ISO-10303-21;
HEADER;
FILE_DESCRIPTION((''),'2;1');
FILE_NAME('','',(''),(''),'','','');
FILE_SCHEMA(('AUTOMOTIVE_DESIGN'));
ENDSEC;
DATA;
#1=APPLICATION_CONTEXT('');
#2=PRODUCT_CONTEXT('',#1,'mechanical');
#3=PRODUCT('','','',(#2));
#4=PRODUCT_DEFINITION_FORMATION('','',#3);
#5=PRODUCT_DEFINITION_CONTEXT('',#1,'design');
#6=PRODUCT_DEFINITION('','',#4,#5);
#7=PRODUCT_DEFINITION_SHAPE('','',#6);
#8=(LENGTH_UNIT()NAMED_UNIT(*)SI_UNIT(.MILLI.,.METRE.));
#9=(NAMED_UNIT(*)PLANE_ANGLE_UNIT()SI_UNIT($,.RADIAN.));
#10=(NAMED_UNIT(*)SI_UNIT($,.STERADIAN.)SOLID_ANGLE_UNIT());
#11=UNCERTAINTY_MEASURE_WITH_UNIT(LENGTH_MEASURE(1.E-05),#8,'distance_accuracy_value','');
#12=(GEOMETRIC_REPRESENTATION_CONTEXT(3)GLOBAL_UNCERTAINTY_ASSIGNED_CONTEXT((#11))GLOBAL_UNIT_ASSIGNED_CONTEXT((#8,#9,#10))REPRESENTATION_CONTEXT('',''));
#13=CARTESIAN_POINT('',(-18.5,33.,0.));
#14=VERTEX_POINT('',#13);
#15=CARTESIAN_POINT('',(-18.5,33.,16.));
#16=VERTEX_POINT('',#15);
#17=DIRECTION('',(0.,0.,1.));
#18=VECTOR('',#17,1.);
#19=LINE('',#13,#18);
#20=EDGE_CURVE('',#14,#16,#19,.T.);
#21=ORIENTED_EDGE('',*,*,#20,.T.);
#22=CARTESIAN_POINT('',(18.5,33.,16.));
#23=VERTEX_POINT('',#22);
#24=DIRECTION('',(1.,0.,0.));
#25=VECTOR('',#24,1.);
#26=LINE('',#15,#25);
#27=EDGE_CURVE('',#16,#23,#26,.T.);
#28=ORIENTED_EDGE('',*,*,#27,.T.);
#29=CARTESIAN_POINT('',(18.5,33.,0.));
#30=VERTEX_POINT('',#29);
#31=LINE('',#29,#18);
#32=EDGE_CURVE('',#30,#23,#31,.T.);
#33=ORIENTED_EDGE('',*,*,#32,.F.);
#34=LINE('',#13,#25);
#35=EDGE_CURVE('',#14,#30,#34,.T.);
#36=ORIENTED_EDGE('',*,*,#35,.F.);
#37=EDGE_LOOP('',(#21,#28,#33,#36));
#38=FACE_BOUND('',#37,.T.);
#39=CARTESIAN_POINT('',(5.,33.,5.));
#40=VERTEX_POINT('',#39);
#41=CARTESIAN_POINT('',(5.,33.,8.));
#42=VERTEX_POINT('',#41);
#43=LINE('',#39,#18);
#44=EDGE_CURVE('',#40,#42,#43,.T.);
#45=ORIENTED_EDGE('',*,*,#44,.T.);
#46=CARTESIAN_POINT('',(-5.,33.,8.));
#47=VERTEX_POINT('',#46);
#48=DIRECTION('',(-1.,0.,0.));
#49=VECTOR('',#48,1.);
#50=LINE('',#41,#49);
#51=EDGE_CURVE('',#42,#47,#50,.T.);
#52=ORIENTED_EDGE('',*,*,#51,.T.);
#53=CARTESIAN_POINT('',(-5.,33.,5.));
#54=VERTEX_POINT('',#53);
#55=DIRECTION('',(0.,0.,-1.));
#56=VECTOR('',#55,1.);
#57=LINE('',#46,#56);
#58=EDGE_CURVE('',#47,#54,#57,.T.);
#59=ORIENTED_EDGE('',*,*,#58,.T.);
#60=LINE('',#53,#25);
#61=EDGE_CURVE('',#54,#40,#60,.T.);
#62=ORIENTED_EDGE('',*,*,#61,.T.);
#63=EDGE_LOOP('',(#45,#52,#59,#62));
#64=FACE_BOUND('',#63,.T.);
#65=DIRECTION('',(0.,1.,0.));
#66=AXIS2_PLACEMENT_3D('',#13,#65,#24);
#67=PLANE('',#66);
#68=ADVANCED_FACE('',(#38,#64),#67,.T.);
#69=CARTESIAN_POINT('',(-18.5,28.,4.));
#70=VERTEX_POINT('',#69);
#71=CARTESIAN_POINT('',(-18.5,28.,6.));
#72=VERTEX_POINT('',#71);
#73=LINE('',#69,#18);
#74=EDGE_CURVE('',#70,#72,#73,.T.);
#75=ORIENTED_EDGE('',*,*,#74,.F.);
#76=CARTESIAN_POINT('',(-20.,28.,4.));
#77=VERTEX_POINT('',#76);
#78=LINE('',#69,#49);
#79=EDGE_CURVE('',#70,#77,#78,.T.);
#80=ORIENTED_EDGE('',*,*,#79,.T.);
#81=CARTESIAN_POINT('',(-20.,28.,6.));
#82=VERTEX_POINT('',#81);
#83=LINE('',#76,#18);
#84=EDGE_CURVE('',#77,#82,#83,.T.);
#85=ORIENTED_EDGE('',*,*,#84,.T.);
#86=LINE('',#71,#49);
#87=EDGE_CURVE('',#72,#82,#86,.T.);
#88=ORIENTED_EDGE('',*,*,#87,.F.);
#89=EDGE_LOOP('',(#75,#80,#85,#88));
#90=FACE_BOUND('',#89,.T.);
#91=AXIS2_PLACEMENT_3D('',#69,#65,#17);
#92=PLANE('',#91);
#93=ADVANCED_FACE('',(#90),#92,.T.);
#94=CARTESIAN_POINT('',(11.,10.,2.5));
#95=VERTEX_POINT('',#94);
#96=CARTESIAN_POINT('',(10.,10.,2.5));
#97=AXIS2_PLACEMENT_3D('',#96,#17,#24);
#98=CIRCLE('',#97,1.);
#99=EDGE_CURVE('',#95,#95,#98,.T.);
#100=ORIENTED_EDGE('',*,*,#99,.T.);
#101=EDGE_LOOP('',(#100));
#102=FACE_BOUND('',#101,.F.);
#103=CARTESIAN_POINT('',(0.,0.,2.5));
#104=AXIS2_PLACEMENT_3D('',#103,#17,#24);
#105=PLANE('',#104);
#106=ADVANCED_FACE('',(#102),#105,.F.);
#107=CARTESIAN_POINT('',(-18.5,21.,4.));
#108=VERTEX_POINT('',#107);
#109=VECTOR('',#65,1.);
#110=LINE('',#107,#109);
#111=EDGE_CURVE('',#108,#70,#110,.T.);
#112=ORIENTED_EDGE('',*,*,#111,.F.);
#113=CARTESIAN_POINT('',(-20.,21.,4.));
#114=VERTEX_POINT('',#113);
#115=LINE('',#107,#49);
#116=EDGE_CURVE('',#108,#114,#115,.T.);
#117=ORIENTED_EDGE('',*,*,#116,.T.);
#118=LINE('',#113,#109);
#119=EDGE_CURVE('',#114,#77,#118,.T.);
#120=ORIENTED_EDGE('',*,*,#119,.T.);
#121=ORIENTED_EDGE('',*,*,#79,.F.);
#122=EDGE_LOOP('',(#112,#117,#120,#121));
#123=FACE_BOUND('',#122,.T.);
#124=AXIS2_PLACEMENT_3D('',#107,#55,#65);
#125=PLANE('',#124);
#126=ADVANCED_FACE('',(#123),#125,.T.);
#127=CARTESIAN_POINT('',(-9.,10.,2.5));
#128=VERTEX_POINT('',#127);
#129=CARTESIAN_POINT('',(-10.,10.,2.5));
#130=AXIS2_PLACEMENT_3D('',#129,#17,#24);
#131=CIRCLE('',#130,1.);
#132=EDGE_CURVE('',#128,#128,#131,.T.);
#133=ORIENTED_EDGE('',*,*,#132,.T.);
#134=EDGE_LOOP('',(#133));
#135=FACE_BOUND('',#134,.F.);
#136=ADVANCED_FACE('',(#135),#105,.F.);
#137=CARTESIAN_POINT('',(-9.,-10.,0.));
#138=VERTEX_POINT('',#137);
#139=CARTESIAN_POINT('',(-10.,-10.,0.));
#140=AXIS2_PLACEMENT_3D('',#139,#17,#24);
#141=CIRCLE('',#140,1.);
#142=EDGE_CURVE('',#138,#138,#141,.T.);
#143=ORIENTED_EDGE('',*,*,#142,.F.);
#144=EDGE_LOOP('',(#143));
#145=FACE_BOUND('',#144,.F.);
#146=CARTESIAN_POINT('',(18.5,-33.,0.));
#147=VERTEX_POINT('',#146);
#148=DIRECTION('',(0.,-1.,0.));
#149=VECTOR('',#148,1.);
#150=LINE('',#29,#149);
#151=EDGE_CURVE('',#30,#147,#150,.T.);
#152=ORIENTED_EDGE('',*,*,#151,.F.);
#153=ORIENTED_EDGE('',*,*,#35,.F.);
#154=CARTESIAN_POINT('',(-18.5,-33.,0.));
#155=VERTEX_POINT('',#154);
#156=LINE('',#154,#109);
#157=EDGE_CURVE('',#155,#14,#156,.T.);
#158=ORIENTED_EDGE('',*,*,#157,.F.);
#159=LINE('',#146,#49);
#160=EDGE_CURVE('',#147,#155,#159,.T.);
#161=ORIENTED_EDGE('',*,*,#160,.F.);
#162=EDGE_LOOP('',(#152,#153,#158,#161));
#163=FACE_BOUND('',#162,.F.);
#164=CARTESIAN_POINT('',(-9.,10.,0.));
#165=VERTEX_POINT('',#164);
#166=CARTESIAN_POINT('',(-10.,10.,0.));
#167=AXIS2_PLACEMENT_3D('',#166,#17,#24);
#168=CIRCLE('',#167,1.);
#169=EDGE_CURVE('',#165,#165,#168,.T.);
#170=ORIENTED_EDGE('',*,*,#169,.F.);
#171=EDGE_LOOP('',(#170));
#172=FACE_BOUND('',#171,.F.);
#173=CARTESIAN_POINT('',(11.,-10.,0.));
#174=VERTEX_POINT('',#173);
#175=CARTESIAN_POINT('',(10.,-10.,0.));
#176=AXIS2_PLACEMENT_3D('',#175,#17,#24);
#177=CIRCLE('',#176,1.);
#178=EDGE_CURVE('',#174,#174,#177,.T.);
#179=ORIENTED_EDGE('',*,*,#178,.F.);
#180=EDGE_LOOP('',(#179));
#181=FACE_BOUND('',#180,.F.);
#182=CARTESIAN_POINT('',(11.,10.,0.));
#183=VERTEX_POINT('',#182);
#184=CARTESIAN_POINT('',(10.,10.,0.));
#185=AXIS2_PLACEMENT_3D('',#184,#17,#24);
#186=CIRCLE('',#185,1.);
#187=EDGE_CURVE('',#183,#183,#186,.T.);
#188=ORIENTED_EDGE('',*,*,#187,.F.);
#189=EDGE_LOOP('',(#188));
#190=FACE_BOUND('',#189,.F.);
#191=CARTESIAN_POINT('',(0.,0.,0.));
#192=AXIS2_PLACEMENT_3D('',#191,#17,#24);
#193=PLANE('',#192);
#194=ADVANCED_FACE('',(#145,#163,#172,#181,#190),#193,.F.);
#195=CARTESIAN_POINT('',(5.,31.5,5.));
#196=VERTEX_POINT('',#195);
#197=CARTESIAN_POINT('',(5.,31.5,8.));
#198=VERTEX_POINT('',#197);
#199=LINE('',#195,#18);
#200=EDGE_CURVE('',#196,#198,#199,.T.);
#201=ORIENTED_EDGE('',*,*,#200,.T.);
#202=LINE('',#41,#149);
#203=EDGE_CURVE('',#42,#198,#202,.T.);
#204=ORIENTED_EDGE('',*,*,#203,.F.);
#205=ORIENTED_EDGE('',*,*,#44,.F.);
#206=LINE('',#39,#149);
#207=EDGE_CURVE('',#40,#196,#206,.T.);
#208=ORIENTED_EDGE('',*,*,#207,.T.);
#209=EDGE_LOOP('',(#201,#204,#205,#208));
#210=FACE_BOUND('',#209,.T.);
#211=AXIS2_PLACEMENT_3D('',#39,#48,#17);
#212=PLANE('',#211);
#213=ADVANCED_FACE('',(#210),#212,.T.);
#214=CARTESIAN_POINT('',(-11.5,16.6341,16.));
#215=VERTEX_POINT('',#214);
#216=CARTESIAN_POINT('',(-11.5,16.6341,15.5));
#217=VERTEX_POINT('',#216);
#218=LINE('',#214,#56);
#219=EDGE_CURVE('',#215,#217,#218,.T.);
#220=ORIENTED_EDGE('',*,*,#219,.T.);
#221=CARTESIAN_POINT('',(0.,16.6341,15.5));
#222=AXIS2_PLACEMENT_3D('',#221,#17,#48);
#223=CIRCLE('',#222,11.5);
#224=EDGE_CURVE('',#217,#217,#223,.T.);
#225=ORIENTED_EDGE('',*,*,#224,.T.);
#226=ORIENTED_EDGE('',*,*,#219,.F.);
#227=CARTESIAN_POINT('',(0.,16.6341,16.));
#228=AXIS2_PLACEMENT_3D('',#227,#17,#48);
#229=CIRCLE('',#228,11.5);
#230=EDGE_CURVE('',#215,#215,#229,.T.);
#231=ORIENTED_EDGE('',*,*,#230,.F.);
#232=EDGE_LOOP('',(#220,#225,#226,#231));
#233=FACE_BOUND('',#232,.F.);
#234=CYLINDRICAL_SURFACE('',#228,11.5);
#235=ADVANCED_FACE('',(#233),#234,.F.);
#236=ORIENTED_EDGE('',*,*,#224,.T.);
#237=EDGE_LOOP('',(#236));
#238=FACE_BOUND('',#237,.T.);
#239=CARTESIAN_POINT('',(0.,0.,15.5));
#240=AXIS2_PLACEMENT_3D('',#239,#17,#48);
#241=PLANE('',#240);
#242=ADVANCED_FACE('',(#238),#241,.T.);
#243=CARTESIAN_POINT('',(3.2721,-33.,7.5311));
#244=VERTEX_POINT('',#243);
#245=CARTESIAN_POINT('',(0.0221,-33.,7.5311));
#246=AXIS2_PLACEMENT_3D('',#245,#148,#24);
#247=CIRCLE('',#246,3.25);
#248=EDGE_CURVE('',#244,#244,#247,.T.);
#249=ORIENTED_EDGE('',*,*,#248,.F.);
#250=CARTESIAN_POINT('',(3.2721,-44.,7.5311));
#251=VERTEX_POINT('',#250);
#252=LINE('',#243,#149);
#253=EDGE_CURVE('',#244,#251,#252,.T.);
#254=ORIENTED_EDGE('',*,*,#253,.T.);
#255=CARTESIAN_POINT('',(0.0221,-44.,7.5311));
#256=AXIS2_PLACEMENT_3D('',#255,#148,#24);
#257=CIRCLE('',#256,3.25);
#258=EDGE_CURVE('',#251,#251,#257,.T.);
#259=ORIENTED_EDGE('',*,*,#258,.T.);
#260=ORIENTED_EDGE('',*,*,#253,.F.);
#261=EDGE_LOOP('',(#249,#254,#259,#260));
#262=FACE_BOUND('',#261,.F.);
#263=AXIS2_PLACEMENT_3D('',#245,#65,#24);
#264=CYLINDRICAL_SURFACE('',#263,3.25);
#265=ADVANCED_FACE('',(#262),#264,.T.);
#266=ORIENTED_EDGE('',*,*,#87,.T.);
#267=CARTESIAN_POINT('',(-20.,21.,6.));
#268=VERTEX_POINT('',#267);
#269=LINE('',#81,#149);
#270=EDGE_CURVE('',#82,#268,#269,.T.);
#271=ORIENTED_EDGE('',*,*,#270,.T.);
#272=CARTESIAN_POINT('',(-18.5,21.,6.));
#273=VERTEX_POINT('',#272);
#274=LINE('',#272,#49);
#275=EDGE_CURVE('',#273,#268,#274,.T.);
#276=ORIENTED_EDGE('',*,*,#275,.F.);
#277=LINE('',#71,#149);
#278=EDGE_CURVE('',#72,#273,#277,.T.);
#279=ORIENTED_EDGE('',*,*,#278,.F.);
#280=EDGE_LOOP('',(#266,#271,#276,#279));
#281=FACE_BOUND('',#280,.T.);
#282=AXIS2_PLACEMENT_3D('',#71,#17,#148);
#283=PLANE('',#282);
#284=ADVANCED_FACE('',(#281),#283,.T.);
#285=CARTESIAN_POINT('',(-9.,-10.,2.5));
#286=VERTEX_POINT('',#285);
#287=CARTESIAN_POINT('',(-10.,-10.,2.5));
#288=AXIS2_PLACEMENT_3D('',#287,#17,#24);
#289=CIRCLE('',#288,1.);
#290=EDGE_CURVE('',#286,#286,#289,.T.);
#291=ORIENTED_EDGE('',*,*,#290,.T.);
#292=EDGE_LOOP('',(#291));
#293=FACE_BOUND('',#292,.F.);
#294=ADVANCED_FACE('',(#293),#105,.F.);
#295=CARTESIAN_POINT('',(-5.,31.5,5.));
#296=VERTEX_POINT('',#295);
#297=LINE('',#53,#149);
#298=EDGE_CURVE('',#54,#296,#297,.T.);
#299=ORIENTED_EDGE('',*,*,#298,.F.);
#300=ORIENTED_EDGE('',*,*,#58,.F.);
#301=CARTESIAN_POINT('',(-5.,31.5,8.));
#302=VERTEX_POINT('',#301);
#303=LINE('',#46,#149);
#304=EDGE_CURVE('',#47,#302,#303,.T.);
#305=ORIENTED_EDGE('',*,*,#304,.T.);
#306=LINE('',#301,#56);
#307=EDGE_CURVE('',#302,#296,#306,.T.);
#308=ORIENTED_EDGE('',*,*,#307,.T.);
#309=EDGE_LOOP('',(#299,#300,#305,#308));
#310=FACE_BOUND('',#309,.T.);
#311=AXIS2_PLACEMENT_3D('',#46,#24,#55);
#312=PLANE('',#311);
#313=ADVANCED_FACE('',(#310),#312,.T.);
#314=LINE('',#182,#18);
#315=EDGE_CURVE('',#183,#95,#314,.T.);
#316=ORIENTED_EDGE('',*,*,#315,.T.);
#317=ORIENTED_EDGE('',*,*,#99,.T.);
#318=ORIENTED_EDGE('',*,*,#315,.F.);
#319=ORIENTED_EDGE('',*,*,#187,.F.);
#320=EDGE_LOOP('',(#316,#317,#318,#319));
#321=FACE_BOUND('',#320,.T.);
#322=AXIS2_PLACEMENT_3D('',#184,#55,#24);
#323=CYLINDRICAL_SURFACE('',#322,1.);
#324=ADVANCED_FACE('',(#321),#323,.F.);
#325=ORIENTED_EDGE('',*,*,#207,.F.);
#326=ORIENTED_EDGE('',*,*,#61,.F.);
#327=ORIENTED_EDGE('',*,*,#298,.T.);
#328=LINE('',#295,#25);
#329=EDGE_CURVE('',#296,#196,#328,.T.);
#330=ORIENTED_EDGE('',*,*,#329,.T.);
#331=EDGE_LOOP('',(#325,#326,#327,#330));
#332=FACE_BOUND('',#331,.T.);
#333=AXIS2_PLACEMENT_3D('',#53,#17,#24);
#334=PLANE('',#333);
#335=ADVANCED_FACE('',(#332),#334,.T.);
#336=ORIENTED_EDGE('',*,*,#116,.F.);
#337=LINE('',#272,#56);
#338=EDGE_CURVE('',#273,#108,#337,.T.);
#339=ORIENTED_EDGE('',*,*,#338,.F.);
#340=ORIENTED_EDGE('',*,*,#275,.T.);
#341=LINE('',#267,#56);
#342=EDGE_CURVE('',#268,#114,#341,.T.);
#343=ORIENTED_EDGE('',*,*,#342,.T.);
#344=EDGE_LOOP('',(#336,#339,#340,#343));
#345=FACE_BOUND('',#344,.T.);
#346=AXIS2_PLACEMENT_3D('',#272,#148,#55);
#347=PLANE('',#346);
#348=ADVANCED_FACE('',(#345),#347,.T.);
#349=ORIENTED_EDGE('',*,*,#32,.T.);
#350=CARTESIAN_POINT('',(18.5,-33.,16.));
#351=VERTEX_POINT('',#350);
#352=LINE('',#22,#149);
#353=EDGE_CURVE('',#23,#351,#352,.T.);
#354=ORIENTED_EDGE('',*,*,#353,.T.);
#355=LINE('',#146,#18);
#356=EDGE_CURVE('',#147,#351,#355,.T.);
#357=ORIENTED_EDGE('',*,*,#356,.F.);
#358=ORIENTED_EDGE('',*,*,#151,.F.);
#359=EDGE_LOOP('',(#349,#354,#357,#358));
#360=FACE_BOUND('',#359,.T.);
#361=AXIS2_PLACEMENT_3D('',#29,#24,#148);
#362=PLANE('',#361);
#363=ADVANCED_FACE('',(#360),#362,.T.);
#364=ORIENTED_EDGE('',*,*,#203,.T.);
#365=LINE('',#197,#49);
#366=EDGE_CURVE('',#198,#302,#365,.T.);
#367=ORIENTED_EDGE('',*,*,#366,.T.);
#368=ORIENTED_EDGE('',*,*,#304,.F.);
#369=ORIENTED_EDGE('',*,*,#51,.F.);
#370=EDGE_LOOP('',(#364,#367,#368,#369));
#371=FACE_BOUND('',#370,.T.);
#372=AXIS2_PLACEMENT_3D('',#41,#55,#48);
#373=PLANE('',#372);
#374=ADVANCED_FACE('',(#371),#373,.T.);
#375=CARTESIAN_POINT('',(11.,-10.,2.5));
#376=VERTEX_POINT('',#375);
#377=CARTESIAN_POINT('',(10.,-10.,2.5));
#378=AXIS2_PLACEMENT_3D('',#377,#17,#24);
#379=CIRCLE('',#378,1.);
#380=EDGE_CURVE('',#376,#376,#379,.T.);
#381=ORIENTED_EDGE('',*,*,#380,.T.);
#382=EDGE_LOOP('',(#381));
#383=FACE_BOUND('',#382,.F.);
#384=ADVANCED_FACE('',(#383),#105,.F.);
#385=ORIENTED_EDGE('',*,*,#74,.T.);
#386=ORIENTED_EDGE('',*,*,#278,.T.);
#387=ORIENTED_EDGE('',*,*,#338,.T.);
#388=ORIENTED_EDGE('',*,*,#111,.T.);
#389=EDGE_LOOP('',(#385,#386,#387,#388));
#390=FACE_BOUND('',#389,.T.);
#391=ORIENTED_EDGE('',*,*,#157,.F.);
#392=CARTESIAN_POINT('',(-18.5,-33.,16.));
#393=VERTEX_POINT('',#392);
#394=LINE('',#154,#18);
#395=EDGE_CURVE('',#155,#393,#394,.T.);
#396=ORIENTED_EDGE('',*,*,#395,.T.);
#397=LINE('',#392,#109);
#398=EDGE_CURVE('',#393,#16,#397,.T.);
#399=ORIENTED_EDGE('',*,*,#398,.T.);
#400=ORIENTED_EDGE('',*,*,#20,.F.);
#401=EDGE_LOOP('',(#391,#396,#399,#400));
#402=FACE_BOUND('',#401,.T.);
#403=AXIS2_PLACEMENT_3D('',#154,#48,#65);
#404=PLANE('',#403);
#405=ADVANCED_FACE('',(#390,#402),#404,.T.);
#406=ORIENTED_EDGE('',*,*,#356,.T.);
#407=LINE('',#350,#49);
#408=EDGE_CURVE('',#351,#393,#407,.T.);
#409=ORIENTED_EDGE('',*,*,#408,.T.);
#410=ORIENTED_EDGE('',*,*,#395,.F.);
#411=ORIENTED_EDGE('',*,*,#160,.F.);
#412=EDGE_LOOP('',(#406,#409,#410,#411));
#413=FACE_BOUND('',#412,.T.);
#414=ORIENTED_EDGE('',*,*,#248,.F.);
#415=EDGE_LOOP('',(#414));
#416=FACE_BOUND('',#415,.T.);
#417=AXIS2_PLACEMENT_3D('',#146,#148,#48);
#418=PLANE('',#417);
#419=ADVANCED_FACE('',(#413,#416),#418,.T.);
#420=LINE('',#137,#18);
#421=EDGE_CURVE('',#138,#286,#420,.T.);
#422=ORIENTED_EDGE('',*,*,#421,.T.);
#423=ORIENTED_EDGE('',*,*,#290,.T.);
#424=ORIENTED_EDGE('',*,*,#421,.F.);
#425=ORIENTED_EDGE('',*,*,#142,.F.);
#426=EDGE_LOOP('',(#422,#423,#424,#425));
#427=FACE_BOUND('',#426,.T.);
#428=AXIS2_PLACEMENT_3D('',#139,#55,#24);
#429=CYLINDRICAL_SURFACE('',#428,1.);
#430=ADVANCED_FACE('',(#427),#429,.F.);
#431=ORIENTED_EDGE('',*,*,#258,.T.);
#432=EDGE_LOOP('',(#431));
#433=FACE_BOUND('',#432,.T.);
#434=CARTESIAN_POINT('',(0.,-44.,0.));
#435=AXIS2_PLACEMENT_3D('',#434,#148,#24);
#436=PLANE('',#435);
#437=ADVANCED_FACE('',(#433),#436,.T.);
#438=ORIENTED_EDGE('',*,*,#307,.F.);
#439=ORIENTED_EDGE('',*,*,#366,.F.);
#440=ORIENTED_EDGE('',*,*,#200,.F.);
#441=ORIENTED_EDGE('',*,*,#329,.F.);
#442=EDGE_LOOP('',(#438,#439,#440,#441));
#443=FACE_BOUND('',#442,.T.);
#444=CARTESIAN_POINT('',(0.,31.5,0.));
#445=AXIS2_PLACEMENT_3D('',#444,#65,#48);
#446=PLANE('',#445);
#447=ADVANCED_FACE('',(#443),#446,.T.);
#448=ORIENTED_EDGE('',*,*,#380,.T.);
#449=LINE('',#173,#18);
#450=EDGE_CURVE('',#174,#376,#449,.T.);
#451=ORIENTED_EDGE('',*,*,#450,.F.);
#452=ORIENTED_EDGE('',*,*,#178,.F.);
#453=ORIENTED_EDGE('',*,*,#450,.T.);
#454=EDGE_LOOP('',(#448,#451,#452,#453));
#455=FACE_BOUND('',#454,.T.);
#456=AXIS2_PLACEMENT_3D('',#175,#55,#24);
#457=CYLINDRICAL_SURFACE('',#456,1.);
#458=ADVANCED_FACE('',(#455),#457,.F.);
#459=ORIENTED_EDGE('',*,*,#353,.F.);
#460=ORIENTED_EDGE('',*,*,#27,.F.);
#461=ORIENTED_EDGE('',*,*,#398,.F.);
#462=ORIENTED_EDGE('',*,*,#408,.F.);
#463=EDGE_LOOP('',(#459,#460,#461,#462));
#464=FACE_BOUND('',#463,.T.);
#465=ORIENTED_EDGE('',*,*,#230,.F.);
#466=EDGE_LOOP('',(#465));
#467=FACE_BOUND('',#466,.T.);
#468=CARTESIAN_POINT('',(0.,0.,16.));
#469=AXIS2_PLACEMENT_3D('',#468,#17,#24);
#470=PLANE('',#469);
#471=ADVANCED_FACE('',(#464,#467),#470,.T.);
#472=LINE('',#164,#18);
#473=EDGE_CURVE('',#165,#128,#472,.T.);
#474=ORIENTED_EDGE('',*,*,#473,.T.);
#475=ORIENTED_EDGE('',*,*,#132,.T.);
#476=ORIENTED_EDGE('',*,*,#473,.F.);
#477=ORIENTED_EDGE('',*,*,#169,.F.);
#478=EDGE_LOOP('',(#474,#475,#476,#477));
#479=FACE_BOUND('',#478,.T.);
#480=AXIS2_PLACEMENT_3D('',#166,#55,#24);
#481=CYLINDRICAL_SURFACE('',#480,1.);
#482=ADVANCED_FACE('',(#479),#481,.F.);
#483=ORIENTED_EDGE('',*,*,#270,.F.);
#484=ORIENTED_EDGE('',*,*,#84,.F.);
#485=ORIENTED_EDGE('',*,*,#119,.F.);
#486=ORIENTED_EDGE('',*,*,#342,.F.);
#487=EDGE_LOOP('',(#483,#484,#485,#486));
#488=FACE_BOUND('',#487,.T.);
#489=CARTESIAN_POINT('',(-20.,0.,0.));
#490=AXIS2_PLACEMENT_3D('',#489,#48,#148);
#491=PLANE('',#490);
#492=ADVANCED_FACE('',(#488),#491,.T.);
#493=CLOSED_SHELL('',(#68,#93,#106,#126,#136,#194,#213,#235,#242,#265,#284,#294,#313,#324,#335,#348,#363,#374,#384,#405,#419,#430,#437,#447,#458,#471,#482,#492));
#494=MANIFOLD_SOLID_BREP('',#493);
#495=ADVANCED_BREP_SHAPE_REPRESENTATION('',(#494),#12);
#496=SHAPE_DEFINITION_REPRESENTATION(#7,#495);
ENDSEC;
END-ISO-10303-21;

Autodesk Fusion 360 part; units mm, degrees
sketch "Sketch1" plane through (0, 0, 0) normal (0, 0, 1) x (1, 0, 0)
  line L0 (-18.5, 33) -> (18.5, 33)
  line L1 (18.5, 33) -> (18.5, -33)
  line L2 (18.5, -33) -> (-18.5, -33)
  line L3 (-18.5, -33) -> (-18.5, 33)
  line L4 (-18.5, 33) -> (18.5, -33) construction
  line L5 (18.5, 33) -> (-18.5, -33) construction
  dimension "d1" = 37
  dimension "d2" = 66
extrude "Extrude1" add sketch "Sketch1" along normal blind 16 makes body 1
sketch "Sketch2" plane through (0, 0, 0) normal (0, 0, 1) x (1, 0, 0)
  line L0 (10, -10) -> (-10, -10) construction
  line L1 (-10, -10) -> (-10, 10) construction
  line L2 (-10, 10) -> (10, 10) construction
  line L3 (10, 10) -> (10, -10) construction
  line L4 (10, -10) -> (-10, 10) construction
  line L5 (-10, -10) -> (10, 10) construction
  circle A0 centre (10, 10) radius 1
  circle A1 centre (10, -10) radius 1
  circle A2 centre (-10, 10) radius 1
  circle A3 centre (-10, -10) radius 1
  dimension "d5" = 2
  dimension "d6" = 2
  dimension "d7" = 2
  dimension "d8" = 2
extrude "Extrude2" cut sketch "Sketch2" along normal blind 2.5 bodies 1
sketch "Sketch3" plane through (0, -33, 0) normal (0, -1, 0) x (1, 0, 0)
  line L0 (-18.5, 0) -> (18.5, 0)
  line L1 (18.5, 0) -> (18.5, 16)
  line L2 (18.5, 16) -> (-18.5, 16)
  line L3 (-18.5, 16) -> (-18.5, 0)
  circle A0 centre (0, 7.5245) radius 3.25
  dimension "d11" = 6.5
sketch "Sketch4" plane through (0, -33, 0) normal (0, -1, 0) x (1, 0, 0)
  line L0 (-18.5, 0) -> (18.5, 0)
  line L1 (18.5, 0) -> (18.5, 16)
  line L2 (18.5, 16) -> (-18.5, 16)
  line L3 (-18.5, 16) -> (-18.5, 0)
  circle A0 centre (0.0221, 7.5311) radius 3.25
  dimension "d12" = 6.5
extrude "Extrude3" add sketch "Sketch4" along normal blind 11 contours A0 bodies 1
sketch "Sketch5" plane through (0, 0, 16) normal (0, 0, 1) x (-1, 0, 0)
  line L0 (18.5, 33) -> (-18.5, 33)
  line L1 (-18.5, 33) -> (-18.5, -33)
  line L2 (-18.5, -33) -> (18.5, -33)
  line L3 (18.5, -33) -> (18.5, 33)
  circle A0 centre (0, -16.6341) radius 11.5
  dimension "d15" = 23
extrude "Extrude4" cut sketch "Sketch5" against normal blind 0.5 contours A0 bodies 1
sketch "Sketch6" plane through (-18.5, 0, 0) normal (-1, 0, 0) x (0, -1, 0)
  line L0 (-33, 0) -> (33, 0)
  line L1 (33, 0) -> (33, 16)
  line L2 (33, 16) -> (-33, 16)
  line L3 (-33, 16) -> (-33, 0)
  line L4 (-28, 6) -> (-21, 6)
  line L5 (-21, 6) -> (-21, 4)
  line L6 (-21, 4) -> (-28, 4)
  line L7 (-28, 4) -> (-28, 6)
extrude "Extrude5" add sketch "Sketch6" along normal blind 1.5 separate body contours L4 L5 L6 L7 makes body 2
sketch "Sketch7" plane through (0, 33, 0) normal (0, 1, 0) x (-1, 0, 0)
  line L0 (-18.5, 0) -> (18.5, 0)
  line L1 (18.5, 0) -> (18.5, 16)
  line L2 (18.5, 16) -> (-18.5, 16)
  line L3 (-18.5, 16) -> (-18.5, 0)
  line L4 (-5, 8) -> (5, 8)
  line L5 (5, 8) -> (5, 5)
  line L6 (5, 5) -> (-5, 5)
  line L7 (-5, 5) -> (-5, 8)
extrude "Extrude6" cut sketch "Sketch7" against normal blind 1.5 contours L4 L5 L6 L7 bodies 1
combine "Combine1" operation add target body 1 tool bodies 2
